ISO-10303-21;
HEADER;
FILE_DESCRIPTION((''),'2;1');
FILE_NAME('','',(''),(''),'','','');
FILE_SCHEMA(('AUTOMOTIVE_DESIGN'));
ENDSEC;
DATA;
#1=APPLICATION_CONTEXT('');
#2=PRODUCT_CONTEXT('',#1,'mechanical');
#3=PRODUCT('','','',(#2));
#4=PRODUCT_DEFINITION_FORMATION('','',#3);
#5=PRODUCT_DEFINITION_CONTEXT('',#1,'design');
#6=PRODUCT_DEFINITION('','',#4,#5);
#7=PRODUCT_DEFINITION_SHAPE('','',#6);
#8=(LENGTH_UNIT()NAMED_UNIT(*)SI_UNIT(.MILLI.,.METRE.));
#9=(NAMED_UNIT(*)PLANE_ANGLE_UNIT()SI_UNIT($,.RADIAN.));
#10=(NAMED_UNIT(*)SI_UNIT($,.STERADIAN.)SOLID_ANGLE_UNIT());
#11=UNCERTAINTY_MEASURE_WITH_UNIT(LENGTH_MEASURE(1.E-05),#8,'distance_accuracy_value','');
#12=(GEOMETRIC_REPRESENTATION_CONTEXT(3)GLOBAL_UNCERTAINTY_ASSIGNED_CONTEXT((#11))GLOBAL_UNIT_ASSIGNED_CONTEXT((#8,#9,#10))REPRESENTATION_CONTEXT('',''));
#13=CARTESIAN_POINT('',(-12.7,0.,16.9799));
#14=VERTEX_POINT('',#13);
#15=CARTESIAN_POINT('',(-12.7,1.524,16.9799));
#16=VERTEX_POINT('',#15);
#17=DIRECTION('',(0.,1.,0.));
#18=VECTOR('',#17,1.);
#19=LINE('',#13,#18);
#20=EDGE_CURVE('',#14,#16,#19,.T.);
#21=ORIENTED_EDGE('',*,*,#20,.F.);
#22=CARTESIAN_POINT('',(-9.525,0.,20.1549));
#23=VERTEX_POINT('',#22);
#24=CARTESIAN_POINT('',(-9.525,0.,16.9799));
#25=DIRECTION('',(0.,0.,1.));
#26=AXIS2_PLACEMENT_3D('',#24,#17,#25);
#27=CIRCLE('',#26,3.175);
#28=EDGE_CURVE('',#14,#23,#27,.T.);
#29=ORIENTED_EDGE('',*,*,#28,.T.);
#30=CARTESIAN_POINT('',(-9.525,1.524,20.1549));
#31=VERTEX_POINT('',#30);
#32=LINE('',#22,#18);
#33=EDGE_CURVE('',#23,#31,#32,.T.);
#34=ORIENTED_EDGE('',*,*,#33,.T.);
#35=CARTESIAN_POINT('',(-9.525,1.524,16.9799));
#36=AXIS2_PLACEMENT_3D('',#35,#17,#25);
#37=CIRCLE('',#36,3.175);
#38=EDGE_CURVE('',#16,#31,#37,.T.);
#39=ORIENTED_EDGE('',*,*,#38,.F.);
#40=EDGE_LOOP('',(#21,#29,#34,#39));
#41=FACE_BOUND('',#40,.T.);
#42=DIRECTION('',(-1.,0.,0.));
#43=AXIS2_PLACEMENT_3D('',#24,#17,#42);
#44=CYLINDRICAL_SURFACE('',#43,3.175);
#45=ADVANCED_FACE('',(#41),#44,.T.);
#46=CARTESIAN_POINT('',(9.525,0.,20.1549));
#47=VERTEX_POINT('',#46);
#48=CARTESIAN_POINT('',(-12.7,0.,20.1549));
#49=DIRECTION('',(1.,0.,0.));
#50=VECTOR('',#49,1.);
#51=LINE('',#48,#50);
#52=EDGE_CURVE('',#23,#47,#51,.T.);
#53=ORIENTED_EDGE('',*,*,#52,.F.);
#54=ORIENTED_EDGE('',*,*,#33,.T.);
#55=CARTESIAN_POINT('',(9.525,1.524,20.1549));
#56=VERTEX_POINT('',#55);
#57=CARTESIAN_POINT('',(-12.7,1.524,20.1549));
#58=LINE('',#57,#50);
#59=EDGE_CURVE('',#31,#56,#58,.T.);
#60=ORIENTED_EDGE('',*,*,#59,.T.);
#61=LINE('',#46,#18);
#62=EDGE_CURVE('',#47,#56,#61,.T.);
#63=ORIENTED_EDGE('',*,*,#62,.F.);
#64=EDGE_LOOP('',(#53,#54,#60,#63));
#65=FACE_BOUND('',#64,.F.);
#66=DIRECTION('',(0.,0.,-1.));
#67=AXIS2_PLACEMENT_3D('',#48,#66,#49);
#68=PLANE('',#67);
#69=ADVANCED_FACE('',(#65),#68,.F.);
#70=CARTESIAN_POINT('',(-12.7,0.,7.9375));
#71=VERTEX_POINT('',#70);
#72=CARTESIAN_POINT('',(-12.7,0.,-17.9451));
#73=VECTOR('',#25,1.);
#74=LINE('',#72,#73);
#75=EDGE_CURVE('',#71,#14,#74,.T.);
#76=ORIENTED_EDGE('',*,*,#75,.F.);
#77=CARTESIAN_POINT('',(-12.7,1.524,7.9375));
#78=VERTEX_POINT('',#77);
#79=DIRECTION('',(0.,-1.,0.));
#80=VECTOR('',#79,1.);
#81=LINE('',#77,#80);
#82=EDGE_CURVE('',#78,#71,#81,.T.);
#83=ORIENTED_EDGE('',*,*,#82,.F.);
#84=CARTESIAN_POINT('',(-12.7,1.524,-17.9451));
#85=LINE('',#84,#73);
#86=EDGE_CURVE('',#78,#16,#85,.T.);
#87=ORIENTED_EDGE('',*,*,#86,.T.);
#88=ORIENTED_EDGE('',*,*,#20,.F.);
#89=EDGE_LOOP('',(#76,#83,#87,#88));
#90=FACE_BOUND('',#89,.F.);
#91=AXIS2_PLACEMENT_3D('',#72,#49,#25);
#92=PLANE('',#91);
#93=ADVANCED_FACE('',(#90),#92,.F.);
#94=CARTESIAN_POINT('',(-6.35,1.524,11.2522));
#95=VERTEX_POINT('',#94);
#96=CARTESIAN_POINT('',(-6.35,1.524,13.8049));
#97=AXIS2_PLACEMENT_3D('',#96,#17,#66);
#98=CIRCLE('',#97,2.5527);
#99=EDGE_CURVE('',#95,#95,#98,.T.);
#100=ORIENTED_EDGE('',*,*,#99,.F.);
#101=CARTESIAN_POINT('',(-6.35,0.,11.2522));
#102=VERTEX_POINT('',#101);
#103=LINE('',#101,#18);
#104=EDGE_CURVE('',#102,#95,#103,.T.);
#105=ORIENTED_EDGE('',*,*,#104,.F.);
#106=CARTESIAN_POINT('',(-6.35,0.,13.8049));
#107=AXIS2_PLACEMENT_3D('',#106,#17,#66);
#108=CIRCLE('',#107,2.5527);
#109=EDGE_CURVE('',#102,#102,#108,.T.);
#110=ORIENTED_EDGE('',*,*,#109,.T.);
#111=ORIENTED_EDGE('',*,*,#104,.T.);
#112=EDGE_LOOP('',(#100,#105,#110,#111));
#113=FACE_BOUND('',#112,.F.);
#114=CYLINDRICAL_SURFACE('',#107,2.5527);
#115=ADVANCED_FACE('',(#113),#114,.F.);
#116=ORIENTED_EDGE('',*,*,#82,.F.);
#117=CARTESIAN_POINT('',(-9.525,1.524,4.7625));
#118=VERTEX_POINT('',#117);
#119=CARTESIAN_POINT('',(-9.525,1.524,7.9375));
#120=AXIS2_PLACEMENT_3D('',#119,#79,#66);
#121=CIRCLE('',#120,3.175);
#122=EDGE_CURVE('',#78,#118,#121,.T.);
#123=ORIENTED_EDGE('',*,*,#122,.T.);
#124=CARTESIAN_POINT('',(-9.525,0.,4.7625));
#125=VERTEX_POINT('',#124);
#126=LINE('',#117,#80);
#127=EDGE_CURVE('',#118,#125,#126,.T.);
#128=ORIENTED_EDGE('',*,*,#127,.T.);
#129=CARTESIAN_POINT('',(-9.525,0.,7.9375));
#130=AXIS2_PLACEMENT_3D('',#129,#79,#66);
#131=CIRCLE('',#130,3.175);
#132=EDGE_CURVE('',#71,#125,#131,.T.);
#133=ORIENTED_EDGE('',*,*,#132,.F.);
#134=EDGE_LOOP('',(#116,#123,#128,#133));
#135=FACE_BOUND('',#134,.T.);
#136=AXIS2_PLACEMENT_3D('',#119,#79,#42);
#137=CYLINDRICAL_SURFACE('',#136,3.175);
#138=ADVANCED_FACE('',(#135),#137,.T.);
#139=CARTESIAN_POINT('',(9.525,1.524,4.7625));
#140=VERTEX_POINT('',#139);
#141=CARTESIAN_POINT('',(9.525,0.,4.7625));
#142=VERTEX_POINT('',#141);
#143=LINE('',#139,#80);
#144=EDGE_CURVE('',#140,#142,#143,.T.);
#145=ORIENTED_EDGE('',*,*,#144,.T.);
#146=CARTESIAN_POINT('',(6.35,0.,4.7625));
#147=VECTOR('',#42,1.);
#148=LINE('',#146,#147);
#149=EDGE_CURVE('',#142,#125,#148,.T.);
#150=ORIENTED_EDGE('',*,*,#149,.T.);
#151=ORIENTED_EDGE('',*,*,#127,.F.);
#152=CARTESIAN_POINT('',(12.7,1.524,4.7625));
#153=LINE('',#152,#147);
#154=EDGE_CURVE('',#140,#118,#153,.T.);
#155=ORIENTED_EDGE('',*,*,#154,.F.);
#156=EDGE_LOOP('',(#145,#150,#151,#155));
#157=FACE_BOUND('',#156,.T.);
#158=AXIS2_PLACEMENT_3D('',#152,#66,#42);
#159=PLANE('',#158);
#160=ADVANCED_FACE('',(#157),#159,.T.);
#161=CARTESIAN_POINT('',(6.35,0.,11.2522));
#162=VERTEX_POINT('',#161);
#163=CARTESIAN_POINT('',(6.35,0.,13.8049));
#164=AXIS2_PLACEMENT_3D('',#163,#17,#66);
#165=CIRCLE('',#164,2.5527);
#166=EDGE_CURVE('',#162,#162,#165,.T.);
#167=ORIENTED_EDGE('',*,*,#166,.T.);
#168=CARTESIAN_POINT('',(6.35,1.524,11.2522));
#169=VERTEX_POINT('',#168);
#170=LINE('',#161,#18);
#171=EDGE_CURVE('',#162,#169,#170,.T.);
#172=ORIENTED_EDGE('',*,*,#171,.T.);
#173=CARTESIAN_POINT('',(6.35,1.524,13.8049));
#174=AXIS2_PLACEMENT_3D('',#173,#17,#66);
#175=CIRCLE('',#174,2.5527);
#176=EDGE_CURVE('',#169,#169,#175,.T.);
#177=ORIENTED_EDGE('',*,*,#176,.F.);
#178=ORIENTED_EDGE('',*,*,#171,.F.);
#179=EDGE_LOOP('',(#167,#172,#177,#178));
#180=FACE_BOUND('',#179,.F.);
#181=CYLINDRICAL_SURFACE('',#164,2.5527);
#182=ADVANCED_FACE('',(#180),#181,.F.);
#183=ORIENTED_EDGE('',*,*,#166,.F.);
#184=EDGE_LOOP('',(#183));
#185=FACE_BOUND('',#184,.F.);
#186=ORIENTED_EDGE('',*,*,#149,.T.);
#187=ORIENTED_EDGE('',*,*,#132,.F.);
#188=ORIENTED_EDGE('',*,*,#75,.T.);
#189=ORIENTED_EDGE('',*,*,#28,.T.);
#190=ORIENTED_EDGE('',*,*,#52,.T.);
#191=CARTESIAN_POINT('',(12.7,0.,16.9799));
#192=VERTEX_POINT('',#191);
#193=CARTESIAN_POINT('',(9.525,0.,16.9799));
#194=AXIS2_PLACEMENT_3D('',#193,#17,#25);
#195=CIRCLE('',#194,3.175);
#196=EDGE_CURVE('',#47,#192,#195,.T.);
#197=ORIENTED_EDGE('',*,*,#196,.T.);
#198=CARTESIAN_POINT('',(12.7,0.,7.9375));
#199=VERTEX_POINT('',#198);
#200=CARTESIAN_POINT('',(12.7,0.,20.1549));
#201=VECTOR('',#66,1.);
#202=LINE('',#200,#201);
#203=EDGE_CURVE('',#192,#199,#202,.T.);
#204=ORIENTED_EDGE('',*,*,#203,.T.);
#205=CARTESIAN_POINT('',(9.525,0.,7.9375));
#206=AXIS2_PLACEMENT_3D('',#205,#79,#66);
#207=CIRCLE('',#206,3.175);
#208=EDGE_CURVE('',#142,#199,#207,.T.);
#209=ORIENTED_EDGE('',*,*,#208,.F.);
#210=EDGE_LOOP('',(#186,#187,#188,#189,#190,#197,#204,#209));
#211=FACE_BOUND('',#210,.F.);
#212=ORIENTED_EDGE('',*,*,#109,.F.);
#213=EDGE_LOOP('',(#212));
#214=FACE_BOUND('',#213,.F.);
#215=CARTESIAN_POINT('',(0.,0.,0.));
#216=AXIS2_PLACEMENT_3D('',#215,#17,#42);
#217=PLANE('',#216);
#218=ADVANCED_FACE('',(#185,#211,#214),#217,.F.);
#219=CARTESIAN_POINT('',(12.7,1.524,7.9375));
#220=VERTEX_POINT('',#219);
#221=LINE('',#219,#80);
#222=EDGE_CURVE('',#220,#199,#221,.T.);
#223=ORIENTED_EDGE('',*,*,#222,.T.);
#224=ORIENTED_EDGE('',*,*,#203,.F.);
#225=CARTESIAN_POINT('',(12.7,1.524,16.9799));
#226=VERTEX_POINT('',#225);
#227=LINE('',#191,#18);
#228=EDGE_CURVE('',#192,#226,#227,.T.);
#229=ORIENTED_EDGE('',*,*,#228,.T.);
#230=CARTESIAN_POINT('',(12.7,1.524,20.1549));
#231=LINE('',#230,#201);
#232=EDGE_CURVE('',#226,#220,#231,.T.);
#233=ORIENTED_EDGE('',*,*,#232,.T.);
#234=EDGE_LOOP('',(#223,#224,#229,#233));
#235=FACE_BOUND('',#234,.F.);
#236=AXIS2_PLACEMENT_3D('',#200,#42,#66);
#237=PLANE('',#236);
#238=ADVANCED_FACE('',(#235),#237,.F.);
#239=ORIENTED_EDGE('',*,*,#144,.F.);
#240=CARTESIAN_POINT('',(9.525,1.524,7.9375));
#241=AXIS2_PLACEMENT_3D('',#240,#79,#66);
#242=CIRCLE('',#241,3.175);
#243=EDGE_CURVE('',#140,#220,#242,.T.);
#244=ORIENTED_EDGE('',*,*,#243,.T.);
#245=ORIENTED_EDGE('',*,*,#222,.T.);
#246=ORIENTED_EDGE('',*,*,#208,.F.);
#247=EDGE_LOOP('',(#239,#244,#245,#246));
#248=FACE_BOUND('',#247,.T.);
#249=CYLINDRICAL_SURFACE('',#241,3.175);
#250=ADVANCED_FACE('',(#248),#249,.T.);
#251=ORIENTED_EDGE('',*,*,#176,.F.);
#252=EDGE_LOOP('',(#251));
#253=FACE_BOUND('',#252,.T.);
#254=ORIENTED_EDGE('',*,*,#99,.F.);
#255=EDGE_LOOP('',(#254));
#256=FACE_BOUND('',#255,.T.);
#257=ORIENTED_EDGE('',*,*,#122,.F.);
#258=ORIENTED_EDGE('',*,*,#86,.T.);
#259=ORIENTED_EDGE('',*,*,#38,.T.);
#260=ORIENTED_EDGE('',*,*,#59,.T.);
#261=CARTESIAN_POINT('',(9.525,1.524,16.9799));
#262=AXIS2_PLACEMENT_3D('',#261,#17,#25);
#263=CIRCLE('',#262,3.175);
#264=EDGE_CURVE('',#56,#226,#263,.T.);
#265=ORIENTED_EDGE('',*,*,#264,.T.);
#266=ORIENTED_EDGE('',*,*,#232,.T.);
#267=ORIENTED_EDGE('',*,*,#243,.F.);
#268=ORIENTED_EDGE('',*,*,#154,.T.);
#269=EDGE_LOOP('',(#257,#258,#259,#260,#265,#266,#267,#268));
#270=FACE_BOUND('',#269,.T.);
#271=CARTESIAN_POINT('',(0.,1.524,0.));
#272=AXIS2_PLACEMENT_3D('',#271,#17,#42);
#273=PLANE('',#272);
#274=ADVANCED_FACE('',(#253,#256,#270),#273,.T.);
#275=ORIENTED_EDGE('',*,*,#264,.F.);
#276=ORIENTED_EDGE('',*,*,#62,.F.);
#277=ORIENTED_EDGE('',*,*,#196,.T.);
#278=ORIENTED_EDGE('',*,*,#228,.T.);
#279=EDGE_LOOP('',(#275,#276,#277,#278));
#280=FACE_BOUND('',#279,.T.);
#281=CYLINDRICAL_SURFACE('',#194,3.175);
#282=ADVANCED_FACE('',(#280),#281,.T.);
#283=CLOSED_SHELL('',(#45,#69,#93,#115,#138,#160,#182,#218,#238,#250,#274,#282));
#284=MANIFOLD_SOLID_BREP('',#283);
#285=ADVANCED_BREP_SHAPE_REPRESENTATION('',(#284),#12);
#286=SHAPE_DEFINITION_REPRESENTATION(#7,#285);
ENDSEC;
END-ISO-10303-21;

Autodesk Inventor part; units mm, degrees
ref_plane "YZ Plane" through (0, 0, 0) normal (1, 0, 0) x (0, 1, 0)
ref_plane "XZ Plane" through (0, 0, 0) normal (0, 1, 0) x (-1, 0, 0)
ref_plane "XY Plane" through (0, 0, 0) normal (0, 0, 1) x (1, 0, 0)
sketch "Sketch1" plane through (0, 0, 0) normal (0, 1, 0) x (-1, 0, 0)
  line L0 (8.89, 0) -> (-8.89, 0) construction
  line L1 (8.89, 1.5875) -> (-8.89, 1.5875)
  line L2 (-8.89, -1.5875) -> (8.89, -1.5875)
  arc A0 (8.89, -1.5875) -> (8.89, 1.5875) centre (8.89, 0) ccw
  arc A1 (-8.89, 1.5875) -> (-8.89, -1.5875) centre (-8.89, 0) ccw
  line L3 (8.89, -5.0038) -> (-8.89, -5.0038) construction
  line L4 (8.89, -3.4163) -> (-8.89, -3.4163)
  line L5 (-8.89, -6.5913) -> (8.89, -6.5913)
  arc A2 (8.89, -6.5913) -> (8.89, -3.4163) centre (8.89, -5.0038) ccw
  arc A3 (-8.89, -3.4163) -> (-8.89, -6.5913) centre (-8.89, -5.0038) ccw
  line L6 (8.89, -10.0076) -> (-8.89, -10.0076) construction
  line L7 (8.89, -8.4201) -> (-8.89, -8.4201)
  line L8 (-8.89, -11.5951) -> (8.89, -11.5951)
  arc A4 (8.89, -11.5951) -> (8.89, -8.4201) centre (8.89, -10.0076) ccw
  arc A5 (-8.89, -8.4201) -> (-8.89, -11.5951) centre (-8.89, -10.0076) ccw
  line L9 (12.7, 20.1549) -> (-12.7, 20.1549)
  line L10 (-12.7, 20.1549) -> (-12.7, -17.9451)
  line L11 (-12.7, -17.9451) -> (12.7, -17.9451)
  line L12 (12.7, -17.9451) -> (12.7, 20.1549)
  line L13 (6.35, 13.8049) -> (-6.35, 13.8049) construction
  line L14 (-8.89, -16.5989) -> (8.89, -16.5989)
  arc A6 (8.89, -16.5989) -> (8.89, -13.4239) centre (8.89, -15.0114) ccw
  line L15 (8.89, -13.4239) -> (-8.89, -13.4239)
  line L16 (8.89, -15.0114) -> (-8.89, -15.0114) construction
  arc A7 (-8.89, -13.4239) -> (-8.89, -16.5989) centre (-8.89, -15.0114) ccw
  point P0 (0, 0)
  point P1 (0, -5.0038)
  point P2 (0, -10.0076)
  point P3 (10.4775, -5.0038)
  point P4 (10.4775, 0)
  point P5 (10.4775, -10.0076)
  point P6 (0, -17.9451)
  point P7 (0, -11.5951)
  point P8 (0, 13.8049)
  point P9 (0, 20.1549)
  point P10 (0, -16.5989)
  point P11 (10.4775, -15.0114)
  dimension "d1" = 17.78
  dimension "d3" = 3.175
  dimension "d4" = 5.0038
  dimension "d5" = 5.0038
  dimension "d8" = 25.4
  dimension "d9" = 38.1
  dimension "d10" = 6.35
  dimension "d11" = 12.7
  dimension "d12" = 6.35
  dimension "d25" = 5.0038
extrude "Extrusion1" add sketch "Sketch1" along normal blind 1.524
hole "Hole1" at (-6.35, 0, 13.8049) at (6.35, 0, 13.8049) direction (0, 1, 0) diameter 5.1054 end through all clearance for "Flat Head Machine Screw (82)" size "#10" standard "Ansi Unified Screw Threads"
fillet "Fillet1" radius 3.175 4 edges at (-12.7, 0.762, -17.9451) (12.7, 0.762, -17.9451) (12.7, 0.762, 20.1549) (-12.7, 0.762, 20.1549)
sketch "Sketch2" plane through (0, 1.524, 0) normal (0, 1, 0) x (1, 0, 0)
  line L0 (-12.7, 20.6375) -> (12.7, 20.6375)
  line L1 (12.7, 20.6375) -> (12.7, -4.7625)
  line L2 (12.7, -4.7625) -> (-12.7, -4.7625)
  line L3 (-12.7, -4.7625) -> (-12.7, 20.6375)
  line L4 (9.525, 17.9451) -> (-9.525, 17.9451) construction
  line L5 (8.89, -1.5875) -> (-8.89, -1.5875) construction
  point P0 (0, 0)
  point P1 (0, 20.6375)
  point P2 (0, 17.9451)
  dimension "d30" = 25.4
  dimension "d31" = 25.4
  dimension "d32" = 3.175
extrude "Extrusion2" cut sketch "Sketch2" against normal through all
fillet "Fillet2" radius 3.175 2 edges at (12.7, 0.762, 4.7625) (-12.7, 0.762, 4.7625)
equation "\"d5\" = d4"
properties part number "EL2-033" material "ABS Plastic"
